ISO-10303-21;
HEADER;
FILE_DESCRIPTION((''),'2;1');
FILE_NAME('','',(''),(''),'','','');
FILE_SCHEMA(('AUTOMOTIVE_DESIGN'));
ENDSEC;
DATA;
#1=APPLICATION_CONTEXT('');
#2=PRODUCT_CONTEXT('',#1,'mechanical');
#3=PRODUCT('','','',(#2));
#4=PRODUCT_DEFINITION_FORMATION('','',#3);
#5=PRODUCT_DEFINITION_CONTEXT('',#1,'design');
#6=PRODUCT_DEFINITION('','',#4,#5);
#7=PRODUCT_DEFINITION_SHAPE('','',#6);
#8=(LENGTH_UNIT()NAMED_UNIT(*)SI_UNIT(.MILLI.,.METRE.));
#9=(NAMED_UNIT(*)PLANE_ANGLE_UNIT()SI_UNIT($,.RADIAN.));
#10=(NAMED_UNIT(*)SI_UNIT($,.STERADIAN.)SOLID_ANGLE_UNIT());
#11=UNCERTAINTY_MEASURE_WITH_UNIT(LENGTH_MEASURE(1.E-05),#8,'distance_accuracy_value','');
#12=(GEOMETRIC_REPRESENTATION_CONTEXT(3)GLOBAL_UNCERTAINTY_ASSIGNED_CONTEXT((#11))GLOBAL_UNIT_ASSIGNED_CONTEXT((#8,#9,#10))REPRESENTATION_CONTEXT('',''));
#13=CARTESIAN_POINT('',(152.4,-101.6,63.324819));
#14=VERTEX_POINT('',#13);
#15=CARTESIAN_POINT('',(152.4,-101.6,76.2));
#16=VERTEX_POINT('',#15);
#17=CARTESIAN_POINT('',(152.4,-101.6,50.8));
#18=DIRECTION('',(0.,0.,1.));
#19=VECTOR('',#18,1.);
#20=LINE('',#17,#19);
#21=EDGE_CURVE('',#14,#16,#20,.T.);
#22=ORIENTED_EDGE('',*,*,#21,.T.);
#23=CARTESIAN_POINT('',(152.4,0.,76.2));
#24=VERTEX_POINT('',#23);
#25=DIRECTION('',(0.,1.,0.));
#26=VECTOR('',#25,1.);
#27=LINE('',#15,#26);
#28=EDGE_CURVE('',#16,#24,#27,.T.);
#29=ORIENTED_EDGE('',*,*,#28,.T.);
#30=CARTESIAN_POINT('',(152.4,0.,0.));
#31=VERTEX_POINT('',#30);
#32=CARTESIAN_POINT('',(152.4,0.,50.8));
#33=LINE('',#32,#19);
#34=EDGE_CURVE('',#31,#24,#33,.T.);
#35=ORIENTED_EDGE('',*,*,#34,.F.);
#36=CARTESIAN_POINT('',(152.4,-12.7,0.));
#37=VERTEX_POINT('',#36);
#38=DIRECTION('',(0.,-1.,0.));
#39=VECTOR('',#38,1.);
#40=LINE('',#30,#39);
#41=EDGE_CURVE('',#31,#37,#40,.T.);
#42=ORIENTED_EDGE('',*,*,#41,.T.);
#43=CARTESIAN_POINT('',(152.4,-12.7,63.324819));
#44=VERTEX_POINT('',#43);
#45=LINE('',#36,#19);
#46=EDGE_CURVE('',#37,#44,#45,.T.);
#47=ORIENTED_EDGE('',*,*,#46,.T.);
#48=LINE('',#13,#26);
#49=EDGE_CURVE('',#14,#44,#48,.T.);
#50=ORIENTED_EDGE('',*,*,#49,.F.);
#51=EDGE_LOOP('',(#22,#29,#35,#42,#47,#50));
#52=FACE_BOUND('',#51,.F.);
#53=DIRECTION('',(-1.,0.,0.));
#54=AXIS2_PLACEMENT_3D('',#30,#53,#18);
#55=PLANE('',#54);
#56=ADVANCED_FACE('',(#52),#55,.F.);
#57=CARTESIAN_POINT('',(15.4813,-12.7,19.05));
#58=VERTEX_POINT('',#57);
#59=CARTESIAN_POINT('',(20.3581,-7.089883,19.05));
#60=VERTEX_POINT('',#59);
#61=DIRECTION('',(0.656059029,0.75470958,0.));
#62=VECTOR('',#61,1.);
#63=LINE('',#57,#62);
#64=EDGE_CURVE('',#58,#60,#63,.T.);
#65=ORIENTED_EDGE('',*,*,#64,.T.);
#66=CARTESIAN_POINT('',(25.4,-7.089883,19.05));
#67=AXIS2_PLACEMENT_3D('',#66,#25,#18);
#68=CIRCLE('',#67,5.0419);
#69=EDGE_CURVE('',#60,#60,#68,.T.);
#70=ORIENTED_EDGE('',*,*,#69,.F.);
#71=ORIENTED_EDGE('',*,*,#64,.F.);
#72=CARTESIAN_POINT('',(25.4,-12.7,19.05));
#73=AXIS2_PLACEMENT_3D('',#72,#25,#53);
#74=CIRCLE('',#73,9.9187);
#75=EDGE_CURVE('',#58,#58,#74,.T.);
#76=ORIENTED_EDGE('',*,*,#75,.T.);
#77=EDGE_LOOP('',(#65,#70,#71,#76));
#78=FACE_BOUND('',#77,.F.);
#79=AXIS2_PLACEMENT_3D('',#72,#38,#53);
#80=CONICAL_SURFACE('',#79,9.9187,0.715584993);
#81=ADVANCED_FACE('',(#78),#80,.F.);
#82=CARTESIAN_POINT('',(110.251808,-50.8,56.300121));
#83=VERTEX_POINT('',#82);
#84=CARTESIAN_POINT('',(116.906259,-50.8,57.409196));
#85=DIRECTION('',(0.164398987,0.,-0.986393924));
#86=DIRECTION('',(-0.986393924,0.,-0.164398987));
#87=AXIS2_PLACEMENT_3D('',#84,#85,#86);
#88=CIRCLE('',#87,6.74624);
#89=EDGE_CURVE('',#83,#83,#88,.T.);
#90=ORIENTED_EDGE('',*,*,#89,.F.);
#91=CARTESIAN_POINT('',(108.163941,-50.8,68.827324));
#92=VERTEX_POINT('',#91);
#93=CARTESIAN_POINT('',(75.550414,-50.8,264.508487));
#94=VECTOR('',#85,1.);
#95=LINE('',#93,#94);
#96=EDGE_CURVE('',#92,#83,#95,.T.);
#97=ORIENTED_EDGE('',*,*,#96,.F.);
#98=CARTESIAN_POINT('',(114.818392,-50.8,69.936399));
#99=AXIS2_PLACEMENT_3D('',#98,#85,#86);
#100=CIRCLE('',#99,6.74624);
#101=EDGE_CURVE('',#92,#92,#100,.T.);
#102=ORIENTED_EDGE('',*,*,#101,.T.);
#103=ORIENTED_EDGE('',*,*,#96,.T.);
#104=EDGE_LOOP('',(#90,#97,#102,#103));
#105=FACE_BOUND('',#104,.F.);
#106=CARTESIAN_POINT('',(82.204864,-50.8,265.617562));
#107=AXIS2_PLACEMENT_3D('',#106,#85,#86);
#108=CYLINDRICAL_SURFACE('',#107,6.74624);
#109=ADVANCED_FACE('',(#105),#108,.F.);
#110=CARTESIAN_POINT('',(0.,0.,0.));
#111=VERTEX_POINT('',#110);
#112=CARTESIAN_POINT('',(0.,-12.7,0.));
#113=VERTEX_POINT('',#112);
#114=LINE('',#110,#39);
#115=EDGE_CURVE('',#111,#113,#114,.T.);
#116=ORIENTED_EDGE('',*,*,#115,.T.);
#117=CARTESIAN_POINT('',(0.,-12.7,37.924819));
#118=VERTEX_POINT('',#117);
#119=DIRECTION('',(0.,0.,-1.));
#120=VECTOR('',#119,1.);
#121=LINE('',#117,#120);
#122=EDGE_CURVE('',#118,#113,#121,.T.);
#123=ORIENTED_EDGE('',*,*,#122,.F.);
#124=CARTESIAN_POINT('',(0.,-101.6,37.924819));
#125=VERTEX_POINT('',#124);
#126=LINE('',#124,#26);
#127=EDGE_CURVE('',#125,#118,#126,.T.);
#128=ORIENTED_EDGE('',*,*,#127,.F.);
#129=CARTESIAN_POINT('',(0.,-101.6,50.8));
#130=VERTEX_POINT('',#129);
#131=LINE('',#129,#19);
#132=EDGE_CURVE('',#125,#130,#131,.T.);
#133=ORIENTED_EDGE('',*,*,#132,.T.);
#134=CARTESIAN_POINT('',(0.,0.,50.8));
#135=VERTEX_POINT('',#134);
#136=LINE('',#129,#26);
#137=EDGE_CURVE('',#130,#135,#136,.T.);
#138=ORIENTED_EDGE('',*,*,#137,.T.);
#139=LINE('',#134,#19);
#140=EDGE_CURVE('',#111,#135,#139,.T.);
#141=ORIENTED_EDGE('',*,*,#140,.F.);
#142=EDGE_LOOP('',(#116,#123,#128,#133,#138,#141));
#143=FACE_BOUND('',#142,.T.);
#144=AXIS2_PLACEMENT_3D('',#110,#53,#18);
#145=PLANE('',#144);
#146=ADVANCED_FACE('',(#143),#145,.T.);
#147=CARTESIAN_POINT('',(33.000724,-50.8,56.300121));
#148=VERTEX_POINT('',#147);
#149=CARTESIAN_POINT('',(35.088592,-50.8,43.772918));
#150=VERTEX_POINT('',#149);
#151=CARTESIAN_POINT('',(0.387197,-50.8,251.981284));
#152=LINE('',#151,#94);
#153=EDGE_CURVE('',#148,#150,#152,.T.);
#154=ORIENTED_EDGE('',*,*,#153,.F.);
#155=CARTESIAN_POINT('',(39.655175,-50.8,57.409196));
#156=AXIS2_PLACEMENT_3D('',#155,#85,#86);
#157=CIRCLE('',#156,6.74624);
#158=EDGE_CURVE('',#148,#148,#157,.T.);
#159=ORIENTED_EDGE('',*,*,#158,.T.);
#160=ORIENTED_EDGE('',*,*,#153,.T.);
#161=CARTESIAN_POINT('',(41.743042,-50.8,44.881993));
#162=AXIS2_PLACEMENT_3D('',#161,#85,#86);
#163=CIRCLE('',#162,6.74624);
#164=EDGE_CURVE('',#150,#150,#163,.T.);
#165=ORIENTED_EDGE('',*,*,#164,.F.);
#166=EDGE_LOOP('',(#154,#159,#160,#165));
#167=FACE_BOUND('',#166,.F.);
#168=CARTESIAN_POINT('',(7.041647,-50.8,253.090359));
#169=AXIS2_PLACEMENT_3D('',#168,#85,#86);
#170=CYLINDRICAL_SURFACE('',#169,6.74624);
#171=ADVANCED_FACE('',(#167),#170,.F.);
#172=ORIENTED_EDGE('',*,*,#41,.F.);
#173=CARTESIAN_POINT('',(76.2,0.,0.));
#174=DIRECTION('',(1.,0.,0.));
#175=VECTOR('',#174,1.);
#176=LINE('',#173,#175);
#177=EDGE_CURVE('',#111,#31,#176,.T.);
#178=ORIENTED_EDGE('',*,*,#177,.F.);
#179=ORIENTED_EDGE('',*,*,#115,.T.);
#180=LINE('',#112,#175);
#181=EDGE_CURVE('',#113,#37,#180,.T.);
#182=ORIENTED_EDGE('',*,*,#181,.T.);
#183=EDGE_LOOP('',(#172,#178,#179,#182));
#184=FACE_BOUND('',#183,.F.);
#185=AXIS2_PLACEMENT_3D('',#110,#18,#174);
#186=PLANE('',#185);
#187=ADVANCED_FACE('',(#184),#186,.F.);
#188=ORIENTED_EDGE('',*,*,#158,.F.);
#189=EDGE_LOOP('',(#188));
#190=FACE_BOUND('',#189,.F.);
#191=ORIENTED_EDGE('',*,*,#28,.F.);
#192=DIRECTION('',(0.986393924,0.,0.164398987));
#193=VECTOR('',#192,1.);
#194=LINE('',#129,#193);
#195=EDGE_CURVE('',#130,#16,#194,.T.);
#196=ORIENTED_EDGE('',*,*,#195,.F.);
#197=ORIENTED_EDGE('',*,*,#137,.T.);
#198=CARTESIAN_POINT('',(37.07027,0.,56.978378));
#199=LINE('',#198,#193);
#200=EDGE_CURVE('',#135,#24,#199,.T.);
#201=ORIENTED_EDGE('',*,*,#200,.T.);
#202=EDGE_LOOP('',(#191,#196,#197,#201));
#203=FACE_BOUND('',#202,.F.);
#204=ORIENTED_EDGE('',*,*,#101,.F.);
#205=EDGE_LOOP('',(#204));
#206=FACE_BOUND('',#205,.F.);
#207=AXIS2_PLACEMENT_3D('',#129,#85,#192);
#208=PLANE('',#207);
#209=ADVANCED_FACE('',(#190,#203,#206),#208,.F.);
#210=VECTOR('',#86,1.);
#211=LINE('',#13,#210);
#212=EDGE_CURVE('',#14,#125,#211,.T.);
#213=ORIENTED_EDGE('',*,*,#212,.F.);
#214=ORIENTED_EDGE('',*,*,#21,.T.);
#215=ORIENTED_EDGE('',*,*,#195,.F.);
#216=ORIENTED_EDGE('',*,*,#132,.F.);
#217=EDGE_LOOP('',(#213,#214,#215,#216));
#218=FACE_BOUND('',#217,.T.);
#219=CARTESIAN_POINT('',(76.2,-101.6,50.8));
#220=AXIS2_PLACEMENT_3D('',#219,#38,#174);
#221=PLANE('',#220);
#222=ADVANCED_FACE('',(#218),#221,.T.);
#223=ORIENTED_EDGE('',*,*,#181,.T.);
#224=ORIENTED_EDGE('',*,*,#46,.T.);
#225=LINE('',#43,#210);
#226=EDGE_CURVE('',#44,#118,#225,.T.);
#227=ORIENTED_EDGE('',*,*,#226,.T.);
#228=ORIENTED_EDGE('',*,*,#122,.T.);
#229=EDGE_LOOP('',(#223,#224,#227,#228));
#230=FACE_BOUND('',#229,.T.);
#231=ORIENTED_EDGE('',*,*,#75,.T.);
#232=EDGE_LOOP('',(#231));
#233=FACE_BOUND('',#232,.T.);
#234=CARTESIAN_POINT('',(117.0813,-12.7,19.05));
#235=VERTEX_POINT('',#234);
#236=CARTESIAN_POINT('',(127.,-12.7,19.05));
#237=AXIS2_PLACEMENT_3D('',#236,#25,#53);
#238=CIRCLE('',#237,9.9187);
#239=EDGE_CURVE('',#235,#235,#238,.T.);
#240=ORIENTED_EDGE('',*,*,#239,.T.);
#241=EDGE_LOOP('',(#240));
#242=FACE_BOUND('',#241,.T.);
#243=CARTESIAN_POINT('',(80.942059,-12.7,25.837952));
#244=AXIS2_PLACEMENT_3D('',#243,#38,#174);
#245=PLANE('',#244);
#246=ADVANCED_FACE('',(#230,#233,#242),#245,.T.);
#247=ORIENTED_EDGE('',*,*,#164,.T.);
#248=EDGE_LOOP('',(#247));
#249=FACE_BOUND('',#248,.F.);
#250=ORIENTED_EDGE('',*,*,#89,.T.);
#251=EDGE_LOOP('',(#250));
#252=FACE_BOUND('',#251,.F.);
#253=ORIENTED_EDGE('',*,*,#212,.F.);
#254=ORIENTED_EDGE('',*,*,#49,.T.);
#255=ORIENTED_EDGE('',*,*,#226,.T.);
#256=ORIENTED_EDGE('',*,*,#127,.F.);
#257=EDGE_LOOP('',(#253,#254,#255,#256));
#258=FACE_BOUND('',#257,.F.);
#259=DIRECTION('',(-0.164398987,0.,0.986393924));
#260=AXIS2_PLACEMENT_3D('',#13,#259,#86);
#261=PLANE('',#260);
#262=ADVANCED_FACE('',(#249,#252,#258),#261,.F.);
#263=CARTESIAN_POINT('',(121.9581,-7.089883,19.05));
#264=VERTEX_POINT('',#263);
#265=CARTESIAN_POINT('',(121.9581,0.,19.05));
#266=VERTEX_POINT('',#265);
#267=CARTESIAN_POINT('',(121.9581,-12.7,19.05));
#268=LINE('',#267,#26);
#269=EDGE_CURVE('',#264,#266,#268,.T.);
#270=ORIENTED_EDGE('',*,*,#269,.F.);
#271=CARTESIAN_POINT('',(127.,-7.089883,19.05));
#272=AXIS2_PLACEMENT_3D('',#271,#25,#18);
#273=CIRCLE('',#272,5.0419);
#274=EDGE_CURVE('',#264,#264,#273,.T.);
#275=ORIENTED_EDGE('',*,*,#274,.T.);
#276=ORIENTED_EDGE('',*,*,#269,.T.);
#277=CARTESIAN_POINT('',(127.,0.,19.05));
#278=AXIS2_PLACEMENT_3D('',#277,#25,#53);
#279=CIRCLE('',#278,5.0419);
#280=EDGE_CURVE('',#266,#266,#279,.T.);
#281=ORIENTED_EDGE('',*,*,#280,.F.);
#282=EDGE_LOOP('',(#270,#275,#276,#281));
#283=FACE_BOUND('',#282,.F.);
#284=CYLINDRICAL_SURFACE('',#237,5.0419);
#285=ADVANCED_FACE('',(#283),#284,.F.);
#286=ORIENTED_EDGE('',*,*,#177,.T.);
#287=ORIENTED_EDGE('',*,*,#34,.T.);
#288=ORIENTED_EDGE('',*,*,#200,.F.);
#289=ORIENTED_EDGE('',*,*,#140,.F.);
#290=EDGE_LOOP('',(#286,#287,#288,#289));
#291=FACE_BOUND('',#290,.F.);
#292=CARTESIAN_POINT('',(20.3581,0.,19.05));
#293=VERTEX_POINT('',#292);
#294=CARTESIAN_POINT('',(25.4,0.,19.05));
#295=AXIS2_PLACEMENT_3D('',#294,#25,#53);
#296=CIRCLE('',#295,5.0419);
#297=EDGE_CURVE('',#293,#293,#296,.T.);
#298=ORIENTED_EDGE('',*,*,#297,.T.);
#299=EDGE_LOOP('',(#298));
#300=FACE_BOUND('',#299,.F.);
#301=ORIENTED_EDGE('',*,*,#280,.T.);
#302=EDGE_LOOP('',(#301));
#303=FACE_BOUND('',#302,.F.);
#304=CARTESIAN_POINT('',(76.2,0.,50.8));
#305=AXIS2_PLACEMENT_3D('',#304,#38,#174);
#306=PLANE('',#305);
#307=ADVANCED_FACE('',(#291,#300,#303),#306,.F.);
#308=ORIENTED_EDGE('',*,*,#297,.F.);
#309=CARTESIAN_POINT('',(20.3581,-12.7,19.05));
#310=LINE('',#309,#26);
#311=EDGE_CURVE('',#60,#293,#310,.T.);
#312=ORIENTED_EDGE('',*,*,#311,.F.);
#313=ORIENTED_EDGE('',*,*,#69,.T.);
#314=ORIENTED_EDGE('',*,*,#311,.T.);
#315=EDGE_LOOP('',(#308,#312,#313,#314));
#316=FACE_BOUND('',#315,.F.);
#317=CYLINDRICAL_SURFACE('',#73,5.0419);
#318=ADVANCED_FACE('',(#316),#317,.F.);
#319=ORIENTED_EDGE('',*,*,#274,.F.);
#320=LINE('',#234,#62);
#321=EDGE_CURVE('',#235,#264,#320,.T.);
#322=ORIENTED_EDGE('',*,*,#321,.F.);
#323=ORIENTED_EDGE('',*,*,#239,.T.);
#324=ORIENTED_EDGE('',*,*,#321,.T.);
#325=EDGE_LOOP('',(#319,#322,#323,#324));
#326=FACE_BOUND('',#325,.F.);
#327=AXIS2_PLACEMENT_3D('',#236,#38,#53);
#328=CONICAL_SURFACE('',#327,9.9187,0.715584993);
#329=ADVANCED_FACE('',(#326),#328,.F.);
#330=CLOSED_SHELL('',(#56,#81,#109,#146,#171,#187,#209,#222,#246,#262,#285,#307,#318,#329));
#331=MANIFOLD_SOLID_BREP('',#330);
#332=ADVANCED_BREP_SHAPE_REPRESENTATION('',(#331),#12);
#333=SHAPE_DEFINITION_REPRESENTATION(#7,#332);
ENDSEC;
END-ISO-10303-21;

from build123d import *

# Parameters (mm, degrees)
F0_W           = 152.4
F0_H           = 101.6
F1_DEPTH       = 101.6
F3_DEPTH       = 101.601
F5_DEPTH       = 88.9
F7_D           = 10.0838
F7_CSINK_D     = 19.8374
F7_CSINK_ANGLE = 82
F9_D           = 13.49248


with BuildPart() as f1:
    # F0 (on Front) → F1 (new body)
    with BuildSketch(Plane.XZ):
        with Locations((76.2, 50.8)):
            Rectangle(F0_W, F0_H)
    extrude(amount=F1_DEPTH)

    # F2 (on face) → F3 (cut, through all)
    with BuildSketch(Plane.XZ.offset(101.6)):
        Polygon((0, 50.8), (152.4, 76.2), (152.4, 101.6), (0, 101.6), align=None)
    extrude(amount=-F3_DEPTH, mode=Mode.SUBTRACT)

    # F4 (on face) → F5 (cut)
    with BuildSketch(Plane.XZ.offset(101.6)):
        Polygon((0, 37.9248193109), (0, 0), (152.4, 0), (152.4, 63.3248193109), align=None)
    extrude(amount=-F5_DEPTH, mode=Mode.SUBTRACT)

    # F7 (through all)
    with Locations(Plane.XZ.offset(12.7)):
        with Locations((25.4, 19.05), (127, 19.05)):
            CounterSinkHole(F7_D / 2, F7_CSINK_D / 2, counter_sink_angle=F7_CSINK_ANGLE)

    # F9 (through all)
    with Locations(Plane(origin=(-8.2378378378, 0, 49.427027027), x_dir=(0.9863939238, 0, 0.1643989873), z_dir=(-0.1643989873, 0, 0.9863939238))):
        with Locations((124.7536368247, -50.8), (48.5536368247, -50.8)):
            Hole(F9_D / 2)


solid = f1.part
